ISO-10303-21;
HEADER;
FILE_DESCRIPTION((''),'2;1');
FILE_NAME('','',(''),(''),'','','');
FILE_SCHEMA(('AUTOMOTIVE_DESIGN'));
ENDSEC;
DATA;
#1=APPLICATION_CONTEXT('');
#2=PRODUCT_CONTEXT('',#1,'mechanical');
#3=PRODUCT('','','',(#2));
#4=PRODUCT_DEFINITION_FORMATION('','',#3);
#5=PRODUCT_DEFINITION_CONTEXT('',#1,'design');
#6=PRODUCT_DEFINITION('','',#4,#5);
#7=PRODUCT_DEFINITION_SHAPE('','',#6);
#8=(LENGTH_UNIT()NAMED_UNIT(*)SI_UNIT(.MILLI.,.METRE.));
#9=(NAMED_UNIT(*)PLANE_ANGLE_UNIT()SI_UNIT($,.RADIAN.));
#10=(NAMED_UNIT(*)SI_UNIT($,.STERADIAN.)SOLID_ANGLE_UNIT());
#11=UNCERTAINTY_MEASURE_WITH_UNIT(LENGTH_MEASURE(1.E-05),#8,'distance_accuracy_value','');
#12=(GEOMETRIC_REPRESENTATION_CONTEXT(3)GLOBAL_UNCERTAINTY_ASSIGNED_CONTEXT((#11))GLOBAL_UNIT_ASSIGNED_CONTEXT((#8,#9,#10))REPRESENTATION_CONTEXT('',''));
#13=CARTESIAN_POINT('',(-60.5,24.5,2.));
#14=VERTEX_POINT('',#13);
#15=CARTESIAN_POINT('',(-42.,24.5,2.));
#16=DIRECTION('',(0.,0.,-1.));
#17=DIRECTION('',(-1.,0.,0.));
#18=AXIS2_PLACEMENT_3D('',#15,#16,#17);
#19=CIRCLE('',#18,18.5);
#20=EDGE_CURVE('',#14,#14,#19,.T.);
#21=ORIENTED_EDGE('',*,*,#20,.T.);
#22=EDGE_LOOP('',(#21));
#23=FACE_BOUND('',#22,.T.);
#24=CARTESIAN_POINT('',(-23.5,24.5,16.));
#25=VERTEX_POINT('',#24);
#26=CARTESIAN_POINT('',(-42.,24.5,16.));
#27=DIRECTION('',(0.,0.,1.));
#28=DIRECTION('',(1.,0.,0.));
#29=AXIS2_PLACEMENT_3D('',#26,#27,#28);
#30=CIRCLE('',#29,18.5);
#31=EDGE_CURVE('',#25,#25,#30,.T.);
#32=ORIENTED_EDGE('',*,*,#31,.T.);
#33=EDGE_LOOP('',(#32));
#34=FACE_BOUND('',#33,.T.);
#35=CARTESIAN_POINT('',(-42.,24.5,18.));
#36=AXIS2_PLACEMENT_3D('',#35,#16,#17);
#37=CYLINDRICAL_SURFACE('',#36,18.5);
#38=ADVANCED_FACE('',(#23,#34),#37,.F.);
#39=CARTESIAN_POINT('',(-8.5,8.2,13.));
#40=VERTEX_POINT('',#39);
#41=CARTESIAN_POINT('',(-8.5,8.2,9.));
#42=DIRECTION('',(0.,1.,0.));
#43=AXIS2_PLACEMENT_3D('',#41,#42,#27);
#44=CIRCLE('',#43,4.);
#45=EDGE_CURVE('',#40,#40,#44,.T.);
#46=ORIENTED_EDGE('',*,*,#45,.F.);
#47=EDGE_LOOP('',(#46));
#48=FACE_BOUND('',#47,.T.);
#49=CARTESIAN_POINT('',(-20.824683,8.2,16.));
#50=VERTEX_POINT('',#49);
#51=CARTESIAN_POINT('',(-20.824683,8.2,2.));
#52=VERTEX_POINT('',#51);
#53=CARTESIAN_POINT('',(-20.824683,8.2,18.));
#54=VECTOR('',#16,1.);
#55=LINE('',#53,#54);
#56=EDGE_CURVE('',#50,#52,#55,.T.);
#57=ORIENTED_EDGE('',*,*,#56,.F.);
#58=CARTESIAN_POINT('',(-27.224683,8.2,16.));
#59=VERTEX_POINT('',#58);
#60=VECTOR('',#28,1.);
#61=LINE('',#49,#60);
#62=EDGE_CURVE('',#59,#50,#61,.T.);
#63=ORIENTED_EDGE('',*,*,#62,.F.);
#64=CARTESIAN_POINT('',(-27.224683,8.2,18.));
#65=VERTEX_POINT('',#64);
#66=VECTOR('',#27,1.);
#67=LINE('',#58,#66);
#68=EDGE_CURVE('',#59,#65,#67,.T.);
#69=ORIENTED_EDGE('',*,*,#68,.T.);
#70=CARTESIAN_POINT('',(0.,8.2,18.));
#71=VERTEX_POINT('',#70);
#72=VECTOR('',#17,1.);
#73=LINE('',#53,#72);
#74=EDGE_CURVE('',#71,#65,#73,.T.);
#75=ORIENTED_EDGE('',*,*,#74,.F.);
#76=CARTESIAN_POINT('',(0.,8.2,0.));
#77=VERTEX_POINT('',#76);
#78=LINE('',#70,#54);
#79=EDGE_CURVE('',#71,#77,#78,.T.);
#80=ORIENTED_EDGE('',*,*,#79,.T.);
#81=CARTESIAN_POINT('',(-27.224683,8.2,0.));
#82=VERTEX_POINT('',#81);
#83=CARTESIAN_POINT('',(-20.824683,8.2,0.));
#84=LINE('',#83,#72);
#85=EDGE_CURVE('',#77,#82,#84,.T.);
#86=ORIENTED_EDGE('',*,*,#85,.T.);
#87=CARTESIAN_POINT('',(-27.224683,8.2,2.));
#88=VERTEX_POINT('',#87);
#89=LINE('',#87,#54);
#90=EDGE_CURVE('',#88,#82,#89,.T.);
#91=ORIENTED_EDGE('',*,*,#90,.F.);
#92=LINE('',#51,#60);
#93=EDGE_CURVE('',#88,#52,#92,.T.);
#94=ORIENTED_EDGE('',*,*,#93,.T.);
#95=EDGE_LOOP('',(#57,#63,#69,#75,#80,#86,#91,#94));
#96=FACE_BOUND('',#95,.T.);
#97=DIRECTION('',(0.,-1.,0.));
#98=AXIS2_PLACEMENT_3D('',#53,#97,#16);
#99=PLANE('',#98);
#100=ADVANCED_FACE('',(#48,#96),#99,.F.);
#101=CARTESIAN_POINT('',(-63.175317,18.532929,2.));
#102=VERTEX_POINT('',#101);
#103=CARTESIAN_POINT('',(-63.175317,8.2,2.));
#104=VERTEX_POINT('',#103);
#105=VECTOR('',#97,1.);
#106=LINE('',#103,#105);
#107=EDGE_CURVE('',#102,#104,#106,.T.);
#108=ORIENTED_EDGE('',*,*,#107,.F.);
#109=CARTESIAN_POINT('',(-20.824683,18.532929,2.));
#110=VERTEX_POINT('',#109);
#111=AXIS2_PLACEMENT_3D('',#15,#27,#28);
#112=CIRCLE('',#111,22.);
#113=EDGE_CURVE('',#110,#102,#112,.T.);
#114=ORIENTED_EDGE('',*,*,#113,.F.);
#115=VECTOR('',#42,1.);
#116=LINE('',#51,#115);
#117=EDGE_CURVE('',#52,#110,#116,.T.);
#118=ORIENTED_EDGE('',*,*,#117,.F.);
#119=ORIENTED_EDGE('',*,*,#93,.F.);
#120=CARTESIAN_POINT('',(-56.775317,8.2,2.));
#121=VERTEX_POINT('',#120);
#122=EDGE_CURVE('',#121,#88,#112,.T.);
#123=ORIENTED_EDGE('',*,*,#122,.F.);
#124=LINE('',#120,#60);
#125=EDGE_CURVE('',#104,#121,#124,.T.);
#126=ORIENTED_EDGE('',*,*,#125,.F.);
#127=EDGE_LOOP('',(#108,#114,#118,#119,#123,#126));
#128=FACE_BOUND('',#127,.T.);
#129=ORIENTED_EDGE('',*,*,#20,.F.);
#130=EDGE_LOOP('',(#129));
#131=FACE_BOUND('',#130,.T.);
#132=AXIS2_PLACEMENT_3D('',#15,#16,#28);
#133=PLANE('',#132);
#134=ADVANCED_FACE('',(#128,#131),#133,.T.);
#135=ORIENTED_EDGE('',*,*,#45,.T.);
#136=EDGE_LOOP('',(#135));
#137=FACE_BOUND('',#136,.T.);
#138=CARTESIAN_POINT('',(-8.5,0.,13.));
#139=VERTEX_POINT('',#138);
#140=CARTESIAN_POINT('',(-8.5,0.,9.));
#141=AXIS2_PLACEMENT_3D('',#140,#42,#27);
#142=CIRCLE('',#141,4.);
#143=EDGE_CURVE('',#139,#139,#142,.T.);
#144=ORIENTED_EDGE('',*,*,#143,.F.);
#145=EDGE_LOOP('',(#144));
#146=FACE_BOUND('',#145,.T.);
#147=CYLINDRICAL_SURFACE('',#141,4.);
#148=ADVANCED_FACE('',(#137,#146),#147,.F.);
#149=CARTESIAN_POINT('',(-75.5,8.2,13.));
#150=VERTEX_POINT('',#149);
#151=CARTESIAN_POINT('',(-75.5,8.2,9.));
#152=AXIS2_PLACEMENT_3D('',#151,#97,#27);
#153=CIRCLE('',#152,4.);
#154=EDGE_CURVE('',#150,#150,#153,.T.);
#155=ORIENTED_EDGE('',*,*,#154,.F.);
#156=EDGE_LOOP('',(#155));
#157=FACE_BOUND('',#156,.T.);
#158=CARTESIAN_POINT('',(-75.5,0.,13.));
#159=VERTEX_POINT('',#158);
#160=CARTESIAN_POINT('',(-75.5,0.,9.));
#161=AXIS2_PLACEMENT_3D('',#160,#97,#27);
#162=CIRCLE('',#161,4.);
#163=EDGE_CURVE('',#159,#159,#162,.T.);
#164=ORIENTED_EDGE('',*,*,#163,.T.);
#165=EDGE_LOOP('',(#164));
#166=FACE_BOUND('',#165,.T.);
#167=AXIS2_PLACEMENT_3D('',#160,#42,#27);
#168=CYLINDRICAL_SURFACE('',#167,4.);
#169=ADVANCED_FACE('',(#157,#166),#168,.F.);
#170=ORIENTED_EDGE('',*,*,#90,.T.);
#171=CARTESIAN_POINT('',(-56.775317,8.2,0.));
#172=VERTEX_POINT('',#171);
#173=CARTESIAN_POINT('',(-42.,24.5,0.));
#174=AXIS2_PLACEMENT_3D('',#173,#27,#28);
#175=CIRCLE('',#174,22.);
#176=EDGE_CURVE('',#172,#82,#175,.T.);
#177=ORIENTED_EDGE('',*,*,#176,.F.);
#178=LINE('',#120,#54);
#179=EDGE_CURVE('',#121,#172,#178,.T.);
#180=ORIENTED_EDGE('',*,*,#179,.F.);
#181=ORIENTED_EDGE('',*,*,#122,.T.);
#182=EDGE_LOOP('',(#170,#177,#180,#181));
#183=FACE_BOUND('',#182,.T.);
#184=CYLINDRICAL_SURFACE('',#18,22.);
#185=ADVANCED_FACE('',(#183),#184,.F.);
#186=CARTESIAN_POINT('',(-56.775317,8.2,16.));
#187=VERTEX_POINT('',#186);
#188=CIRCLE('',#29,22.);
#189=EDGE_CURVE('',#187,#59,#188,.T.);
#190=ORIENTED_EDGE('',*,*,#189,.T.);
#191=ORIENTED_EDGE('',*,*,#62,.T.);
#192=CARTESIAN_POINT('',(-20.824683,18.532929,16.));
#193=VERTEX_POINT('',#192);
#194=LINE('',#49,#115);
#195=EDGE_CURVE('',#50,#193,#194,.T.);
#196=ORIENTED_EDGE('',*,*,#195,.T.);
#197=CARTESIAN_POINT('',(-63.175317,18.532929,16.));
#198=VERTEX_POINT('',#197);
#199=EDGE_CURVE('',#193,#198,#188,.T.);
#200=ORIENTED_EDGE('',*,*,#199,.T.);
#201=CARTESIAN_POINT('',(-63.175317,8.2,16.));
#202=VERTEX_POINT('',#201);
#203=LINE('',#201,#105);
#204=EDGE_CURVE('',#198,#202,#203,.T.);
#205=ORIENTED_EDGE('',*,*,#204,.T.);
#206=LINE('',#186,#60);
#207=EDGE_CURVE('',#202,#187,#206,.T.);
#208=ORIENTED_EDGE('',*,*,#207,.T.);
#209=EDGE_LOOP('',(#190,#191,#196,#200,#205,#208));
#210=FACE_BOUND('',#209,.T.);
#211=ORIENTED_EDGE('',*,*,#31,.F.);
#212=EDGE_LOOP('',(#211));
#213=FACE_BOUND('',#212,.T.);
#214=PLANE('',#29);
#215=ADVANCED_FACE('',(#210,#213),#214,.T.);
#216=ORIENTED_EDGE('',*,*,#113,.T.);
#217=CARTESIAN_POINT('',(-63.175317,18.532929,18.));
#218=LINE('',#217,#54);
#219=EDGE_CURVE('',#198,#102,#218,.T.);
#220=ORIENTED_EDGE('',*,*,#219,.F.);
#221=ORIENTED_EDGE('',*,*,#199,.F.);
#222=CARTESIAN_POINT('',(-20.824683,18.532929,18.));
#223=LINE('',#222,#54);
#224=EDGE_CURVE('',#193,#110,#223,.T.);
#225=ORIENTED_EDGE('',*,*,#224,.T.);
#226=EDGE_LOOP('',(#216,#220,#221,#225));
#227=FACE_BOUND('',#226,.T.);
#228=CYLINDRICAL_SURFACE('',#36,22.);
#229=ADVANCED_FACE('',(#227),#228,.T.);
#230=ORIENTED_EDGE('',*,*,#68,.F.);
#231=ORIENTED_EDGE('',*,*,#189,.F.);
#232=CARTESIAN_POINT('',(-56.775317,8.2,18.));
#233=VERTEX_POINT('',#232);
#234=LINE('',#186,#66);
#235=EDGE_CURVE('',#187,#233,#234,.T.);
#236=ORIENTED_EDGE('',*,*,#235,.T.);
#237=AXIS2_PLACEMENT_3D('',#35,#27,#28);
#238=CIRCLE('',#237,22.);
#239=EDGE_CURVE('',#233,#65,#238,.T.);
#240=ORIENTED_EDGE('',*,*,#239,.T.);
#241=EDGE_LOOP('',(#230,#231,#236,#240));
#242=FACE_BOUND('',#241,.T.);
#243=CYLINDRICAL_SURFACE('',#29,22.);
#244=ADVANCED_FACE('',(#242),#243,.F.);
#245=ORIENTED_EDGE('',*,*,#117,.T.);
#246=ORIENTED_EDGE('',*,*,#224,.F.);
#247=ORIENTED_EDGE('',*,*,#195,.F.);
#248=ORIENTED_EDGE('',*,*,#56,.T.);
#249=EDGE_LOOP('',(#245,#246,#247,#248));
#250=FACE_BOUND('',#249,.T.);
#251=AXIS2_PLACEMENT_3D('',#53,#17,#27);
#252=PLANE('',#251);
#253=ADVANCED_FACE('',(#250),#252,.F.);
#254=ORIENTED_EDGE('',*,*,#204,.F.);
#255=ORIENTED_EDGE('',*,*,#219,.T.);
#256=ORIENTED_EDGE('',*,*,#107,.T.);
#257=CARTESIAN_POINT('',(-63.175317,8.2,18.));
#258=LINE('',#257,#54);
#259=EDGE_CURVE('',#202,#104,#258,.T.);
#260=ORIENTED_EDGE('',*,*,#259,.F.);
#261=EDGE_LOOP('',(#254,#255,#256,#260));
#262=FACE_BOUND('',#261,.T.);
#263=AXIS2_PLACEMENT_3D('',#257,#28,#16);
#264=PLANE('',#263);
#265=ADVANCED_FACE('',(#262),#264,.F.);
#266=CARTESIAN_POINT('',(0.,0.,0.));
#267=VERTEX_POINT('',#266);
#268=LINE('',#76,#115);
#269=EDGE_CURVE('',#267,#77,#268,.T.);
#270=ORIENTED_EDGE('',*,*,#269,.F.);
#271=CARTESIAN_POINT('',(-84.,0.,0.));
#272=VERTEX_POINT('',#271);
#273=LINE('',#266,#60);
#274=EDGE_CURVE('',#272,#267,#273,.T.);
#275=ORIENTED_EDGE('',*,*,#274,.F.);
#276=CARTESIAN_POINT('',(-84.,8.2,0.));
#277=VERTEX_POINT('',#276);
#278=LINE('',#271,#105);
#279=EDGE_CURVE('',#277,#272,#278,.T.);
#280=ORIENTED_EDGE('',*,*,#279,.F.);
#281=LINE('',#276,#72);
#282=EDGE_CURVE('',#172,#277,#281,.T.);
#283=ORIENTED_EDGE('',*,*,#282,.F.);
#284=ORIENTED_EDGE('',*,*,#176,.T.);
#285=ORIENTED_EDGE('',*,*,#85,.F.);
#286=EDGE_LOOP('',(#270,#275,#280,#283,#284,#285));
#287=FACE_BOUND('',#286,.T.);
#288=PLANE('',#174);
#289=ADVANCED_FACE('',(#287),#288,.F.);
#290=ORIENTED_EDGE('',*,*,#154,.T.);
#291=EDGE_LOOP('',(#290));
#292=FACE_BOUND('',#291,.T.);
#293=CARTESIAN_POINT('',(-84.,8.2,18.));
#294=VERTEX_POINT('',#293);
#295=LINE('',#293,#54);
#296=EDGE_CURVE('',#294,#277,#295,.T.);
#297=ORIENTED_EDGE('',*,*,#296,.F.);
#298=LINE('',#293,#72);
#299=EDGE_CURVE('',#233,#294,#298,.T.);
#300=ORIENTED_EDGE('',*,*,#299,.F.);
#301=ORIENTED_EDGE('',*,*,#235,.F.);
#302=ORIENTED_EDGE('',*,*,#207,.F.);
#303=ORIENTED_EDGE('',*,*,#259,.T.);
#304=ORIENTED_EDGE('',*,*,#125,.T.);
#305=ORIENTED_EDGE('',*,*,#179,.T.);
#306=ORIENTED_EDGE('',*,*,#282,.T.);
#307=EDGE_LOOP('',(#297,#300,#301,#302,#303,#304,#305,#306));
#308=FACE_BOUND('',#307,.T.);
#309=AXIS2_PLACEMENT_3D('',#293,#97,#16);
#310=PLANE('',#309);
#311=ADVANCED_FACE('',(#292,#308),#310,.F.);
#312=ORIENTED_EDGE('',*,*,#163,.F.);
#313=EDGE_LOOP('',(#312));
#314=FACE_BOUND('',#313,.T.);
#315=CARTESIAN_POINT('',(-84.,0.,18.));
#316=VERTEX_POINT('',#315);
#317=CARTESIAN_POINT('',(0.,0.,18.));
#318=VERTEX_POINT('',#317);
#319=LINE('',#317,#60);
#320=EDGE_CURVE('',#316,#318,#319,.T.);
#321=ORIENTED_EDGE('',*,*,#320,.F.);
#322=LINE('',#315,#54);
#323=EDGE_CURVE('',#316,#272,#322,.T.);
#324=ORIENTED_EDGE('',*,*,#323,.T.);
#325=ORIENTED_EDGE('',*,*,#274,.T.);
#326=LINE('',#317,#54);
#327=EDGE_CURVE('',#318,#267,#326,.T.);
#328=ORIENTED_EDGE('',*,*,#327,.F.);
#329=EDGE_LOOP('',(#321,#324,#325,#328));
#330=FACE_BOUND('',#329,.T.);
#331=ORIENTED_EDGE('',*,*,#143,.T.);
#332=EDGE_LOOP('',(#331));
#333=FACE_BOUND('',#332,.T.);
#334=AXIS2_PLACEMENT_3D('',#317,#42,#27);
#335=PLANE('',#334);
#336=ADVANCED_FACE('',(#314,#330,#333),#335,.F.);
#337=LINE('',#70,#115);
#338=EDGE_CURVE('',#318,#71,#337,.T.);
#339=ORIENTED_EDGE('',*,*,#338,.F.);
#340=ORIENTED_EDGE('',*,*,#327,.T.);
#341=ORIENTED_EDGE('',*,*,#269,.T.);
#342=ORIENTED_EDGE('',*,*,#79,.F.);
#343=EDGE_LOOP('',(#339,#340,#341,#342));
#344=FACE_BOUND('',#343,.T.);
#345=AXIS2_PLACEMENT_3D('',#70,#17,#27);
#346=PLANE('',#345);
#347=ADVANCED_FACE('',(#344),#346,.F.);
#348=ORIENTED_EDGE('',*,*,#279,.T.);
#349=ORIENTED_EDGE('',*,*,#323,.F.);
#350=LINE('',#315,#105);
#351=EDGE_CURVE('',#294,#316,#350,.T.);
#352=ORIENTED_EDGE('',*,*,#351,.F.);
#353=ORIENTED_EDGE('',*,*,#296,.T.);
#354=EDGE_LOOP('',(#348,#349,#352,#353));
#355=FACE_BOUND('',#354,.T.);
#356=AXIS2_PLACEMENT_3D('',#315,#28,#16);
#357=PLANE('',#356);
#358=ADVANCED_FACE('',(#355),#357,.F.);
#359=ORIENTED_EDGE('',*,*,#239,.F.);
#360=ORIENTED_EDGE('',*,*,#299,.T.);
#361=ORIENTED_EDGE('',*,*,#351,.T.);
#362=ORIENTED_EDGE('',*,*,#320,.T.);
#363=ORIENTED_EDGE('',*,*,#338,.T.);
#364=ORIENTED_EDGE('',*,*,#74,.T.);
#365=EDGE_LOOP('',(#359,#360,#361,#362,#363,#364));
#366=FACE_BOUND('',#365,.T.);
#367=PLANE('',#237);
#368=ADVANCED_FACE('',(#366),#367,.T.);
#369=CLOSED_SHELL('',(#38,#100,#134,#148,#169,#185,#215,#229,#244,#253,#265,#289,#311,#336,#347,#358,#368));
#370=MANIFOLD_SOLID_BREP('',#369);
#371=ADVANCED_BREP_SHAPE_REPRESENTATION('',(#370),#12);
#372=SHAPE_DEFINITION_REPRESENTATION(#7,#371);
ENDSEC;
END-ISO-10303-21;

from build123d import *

# Parameters (mm, degrees)
CROQUIS1_R              = 18.5
SALIENTE_EXTRUIR1_DEPTH = 18
CROQUIS2_R              = 17.5
CORTAR_EXTRUIR1_DEPTH   = 2
CROQUIS3_R              = 4
CORTAR_EXTRUIR2_DEPTH   = 9.2


with BuildPart() as part:
    # Croquis1 → Saliente-Extruir1 (new body)
    with BuildSketch(Plane.XY):
        with BuildLine():
            Line((0, 0), (-84, 0))
            Line((-84, 0), (-84, 8.2))
            Line((-84, 8.2), (-63.175317255, 8.2))
            Line((-63.175317255, 8.2), (-63.175317255, 18.532928764))
            ThreePointArc((-63.175317255, 18.532928764), (-42, 46.5), (-20.824682745, 18.532928764))
            Line((-20.824682745, 18.532928764), (-20.824682745, 8.2))
            Line((-20.824682745, 8.2), (0, 8.2))
            Line((0, 8.2), (0, 0))
        make_face()
        with Locations((-42, 24.5)):
            Circle(CROQUIS1_R, mode=Mode.SUBTRACT)
    extrude(amount=SALIENTE_EXTRUIR1_DEPTH)

    # Croquis2 → Cortar-Extruir1 (cut)
    with BuildSketch(Plane.XY.offset(18)):
        with BuildLine():
            Line((-20.824682745, 8.2), (-27.224682745, 8.2))
            ThreePointArc((-27.224682745, 8.2), (-42, 2.5), (-56.775317255, 8.2))
            Line((-56.775317255, 8.2), (-63.175317255, 8.2))
            Line((-63.175317255, 8.2), (-63.175317255, 18.532928764))
            ThreePointArc((-63.175317255, 18.532928764), (-42, 46.5), (-20.824682745, 18.532928764))
            Line((-20.824682745, 18.532928764), (-20.824682745, 8.2))
        make_face()
        with Locations((-42, 24.5)):
            Circle(CROQUIS2_R, mode=Mode.SUBTRACT)
    cortar_extruir1 = extrude(amount=-CORTAR_EXTRUIR1_DEPTH, mode=Mode.SUBTRACT)

    # Simetría1: Cortar-Extruir1 across plane
    add(cortar_extruir1.mirror(Plane.XY.offset(9)), mode=Mode.SUBTRACT)

    # Croquis3 → Cortar-Extruir2 (cut, through all)
    with BuildSketch(Plane(origin=(0, 8.2, 0), x_dir=(1, 0, 0), z_dir=(0, 1, 0))):
        with Locations((-8.5, -9)):
            Circle(CROQUIS3_R)
    cortar_extruir2 = extrude(amount=-CORTAR_EXTRUIR2_DEPTH, mode=Mode.SUBTRACT)

    # Simetría2: Cortar-Extruir2 across plane
    add(cortar_extruir2.mirror(Plane(origin=(-42, 0, 0), x_dir=(0, 0, 1), z_dir=(1, 0, 0))), mode=Mode.SUBTRACT)


solid = part.part
